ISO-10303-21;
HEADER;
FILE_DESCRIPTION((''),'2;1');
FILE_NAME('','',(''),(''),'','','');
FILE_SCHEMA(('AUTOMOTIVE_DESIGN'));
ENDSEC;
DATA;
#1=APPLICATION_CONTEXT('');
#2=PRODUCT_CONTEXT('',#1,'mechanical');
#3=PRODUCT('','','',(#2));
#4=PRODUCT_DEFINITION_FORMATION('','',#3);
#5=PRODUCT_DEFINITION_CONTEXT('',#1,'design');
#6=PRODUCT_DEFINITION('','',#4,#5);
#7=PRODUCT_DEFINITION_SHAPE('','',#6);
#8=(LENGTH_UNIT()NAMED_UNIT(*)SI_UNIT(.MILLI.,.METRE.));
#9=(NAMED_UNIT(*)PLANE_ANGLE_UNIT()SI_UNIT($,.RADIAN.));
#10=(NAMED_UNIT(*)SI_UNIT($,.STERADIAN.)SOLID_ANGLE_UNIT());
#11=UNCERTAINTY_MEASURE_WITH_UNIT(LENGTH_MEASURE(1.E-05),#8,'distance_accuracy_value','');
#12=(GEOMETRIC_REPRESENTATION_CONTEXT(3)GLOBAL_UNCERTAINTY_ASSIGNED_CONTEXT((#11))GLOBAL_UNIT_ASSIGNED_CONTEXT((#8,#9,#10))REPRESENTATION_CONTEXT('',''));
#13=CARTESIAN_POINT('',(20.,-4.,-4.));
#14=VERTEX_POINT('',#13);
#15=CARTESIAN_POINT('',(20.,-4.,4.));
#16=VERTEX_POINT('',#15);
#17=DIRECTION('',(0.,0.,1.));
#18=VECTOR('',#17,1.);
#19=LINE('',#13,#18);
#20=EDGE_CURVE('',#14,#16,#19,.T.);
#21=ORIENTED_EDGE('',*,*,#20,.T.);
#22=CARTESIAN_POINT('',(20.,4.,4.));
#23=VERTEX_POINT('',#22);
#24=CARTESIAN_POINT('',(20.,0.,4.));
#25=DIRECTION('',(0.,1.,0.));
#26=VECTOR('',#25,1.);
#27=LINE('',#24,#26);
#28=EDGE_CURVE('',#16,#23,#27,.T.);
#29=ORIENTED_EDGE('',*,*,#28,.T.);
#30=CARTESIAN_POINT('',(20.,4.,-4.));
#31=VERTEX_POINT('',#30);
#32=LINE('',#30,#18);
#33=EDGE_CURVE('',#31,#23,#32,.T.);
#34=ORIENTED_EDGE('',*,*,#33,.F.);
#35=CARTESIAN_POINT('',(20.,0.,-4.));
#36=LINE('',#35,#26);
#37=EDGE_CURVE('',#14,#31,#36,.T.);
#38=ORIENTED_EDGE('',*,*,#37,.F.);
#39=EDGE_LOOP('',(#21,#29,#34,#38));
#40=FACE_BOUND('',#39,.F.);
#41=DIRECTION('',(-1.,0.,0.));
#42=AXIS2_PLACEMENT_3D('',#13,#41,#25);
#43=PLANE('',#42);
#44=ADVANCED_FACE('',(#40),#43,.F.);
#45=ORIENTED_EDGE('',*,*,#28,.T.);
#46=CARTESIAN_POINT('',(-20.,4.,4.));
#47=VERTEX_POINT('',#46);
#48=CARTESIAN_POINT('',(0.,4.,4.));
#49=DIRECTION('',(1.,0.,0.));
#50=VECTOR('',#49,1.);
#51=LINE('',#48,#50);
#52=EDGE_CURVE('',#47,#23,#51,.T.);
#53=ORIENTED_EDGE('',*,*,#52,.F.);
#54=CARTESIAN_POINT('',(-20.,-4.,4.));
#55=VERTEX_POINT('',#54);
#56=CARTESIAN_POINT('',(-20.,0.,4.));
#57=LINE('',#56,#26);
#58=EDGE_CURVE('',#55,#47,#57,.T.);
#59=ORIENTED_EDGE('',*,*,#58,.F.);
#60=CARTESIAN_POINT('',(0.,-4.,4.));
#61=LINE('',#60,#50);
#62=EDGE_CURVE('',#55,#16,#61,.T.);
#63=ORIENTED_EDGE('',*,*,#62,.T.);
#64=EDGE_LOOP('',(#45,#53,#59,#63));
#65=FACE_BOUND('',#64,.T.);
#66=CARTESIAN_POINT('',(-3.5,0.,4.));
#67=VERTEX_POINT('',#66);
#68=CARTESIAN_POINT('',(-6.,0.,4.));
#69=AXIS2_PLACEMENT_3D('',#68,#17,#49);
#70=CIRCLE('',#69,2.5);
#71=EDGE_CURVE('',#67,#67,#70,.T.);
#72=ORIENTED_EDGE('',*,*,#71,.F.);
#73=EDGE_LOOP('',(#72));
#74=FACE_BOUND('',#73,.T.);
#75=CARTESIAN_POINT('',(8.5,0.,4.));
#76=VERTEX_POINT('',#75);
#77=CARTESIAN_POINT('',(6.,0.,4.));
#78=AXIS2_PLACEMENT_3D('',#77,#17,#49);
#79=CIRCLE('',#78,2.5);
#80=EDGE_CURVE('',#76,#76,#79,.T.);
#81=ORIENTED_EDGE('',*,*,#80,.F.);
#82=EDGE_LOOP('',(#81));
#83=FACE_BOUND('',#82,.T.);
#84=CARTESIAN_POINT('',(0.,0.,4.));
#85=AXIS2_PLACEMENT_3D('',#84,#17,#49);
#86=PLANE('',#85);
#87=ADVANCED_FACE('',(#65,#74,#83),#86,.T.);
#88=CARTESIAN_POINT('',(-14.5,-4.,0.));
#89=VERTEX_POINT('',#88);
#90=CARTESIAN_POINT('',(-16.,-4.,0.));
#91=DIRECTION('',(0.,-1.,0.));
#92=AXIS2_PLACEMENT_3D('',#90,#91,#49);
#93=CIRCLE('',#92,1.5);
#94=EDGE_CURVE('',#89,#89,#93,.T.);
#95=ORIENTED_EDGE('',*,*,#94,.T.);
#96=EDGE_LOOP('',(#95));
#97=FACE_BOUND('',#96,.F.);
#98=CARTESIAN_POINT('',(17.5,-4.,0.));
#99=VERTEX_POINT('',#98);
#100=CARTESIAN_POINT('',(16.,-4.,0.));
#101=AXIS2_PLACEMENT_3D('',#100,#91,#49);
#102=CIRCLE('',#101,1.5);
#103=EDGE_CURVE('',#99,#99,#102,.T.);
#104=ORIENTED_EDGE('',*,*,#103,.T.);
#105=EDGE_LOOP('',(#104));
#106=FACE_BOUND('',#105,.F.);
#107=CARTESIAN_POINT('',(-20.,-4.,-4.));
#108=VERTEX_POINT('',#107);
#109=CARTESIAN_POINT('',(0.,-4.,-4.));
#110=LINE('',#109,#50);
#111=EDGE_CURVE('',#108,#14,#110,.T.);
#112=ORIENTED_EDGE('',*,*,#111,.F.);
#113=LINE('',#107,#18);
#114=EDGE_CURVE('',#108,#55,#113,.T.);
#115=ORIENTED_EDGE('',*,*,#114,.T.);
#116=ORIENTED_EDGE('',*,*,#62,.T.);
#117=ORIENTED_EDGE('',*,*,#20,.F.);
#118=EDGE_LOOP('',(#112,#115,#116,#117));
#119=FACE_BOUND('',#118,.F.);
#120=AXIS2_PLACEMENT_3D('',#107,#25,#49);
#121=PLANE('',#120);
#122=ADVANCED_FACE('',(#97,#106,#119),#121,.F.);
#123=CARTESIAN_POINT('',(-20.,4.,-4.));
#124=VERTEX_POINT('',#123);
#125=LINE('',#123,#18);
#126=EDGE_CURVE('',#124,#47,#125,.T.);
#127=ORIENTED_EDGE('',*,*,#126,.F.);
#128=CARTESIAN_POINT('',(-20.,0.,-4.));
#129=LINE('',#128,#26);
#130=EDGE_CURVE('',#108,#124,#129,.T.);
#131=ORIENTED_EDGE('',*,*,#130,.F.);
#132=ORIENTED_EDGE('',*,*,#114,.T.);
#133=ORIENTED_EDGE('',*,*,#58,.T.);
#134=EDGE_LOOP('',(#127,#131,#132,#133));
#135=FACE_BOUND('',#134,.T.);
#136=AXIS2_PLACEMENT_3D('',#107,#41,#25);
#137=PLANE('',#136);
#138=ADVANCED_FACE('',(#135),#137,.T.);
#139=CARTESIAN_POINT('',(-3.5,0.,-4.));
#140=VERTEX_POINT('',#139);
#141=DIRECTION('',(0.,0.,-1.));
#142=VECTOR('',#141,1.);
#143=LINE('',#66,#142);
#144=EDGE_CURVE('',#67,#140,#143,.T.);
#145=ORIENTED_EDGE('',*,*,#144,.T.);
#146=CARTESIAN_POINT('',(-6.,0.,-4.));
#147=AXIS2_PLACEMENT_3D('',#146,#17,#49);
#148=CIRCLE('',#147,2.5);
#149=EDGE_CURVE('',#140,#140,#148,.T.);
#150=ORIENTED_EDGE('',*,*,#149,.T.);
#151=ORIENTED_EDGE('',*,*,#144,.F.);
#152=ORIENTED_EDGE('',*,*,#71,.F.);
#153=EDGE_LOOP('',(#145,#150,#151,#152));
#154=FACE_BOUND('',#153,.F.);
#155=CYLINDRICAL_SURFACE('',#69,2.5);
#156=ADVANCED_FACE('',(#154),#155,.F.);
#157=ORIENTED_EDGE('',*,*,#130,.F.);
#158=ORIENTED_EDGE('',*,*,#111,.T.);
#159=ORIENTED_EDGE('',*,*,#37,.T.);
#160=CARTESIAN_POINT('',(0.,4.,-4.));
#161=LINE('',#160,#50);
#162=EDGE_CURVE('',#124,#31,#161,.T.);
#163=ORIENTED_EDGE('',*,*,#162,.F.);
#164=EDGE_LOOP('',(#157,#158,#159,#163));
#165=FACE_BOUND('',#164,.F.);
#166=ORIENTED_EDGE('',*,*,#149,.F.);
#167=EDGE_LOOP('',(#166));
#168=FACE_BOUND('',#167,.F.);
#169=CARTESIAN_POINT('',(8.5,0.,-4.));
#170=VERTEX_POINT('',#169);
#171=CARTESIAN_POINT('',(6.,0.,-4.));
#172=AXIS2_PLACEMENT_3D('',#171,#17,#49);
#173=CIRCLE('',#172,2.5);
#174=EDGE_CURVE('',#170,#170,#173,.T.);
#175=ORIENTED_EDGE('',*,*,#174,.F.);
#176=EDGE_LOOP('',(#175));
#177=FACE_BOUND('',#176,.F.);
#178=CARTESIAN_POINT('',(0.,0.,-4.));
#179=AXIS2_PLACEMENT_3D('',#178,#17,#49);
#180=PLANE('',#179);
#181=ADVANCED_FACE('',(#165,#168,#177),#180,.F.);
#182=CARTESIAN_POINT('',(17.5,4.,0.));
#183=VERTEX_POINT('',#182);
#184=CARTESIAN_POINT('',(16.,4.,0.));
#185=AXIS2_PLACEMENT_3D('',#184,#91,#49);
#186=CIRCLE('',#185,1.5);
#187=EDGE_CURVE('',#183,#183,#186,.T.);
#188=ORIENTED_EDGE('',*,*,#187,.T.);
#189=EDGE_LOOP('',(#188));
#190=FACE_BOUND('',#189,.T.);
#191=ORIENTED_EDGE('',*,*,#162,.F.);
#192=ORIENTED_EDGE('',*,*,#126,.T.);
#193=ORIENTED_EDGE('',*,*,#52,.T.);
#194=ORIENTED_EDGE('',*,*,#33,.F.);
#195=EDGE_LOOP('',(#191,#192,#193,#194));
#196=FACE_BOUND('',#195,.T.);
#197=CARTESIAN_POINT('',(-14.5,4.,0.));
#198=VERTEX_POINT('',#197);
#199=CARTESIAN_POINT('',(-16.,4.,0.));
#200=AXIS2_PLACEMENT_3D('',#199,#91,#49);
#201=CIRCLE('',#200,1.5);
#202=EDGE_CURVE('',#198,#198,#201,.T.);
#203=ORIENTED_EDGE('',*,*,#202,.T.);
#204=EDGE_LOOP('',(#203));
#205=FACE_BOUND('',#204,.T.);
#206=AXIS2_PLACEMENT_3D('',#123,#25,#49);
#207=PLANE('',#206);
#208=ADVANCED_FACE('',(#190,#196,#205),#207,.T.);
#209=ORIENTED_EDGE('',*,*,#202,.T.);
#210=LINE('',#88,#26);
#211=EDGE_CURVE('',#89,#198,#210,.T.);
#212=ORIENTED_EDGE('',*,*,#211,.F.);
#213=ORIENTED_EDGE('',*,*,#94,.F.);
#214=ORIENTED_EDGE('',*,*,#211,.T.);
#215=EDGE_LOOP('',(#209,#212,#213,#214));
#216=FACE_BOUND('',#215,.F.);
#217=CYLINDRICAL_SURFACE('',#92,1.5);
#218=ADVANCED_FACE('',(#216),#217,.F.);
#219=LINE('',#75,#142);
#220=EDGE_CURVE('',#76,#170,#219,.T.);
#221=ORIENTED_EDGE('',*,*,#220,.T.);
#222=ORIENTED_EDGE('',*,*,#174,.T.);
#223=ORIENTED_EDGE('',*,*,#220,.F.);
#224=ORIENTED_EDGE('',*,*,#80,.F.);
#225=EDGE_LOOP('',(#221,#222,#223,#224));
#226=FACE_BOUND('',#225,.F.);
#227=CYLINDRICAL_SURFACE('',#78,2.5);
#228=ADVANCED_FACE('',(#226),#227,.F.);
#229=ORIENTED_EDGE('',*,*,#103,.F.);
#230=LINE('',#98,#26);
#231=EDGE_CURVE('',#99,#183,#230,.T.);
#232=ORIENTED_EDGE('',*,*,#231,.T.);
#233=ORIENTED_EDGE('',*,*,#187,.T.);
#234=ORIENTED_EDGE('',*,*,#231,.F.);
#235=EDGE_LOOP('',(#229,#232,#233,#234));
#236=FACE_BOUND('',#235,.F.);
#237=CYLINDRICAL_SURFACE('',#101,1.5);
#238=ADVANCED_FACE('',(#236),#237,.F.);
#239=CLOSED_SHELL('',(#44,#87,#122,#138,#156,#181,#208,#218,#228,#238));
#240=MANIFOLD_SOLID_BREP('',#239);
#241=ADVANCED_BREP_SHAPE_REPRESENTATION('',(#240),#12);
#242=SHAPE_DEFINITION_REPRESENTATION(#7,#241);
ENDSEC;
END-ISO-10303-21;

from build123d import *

# Parameters (mm, degrees)
BOX_W           = 40
BOX_H           = 8
BOX_DEPTH       = 8
SKETCH_R        = 2.5
POCKET_DEPTH    = 8
SKETCH001_R     = 1.5
POCKET001_DEPTH = 8


with BuildPart() as part:
    # Box → Box (new body)
    with BuildSketch(Plane(origin=(-20, -4, -4), x_dir=(1, 0, 0), z_dir=(0, 0, 1))):
        with Locations((20, 4)):
            Rectangle(BOX_W, BOX_H)
    extrude(amount=BOX_DEPTH)

    # Sketch → Pocket (cut)
    with BuildSketch(Plane(origin=(-20, -4, 4), x_dir=(1, 0, 0), z_dir=(0, 0, 1))):
        with Locations((26, 4)):
            Circle(SKETCH_R)
        with Locations((14, 4)):
            Circle(SKETCH_R)
    extrude(amount=-POCKET_DEPTH, mode=Mode.SUBTRACT)

    # Sketch001 → Pocket001 (cut)
    with BuildSketch(Plane(origin=(-20, -4, -4), x_dir=(1, 0, 0), z_dir=(0, -1, 0))):
        with Locations((4, 4)):
            Circle(SKETCH001_R)
        with Locations((36, 4)):
            Circle(SKETCH001_R)
    extrude(amount=-POCKET001_DEPTH, mode=Mode.SUBTRACT)


solid = part.part
